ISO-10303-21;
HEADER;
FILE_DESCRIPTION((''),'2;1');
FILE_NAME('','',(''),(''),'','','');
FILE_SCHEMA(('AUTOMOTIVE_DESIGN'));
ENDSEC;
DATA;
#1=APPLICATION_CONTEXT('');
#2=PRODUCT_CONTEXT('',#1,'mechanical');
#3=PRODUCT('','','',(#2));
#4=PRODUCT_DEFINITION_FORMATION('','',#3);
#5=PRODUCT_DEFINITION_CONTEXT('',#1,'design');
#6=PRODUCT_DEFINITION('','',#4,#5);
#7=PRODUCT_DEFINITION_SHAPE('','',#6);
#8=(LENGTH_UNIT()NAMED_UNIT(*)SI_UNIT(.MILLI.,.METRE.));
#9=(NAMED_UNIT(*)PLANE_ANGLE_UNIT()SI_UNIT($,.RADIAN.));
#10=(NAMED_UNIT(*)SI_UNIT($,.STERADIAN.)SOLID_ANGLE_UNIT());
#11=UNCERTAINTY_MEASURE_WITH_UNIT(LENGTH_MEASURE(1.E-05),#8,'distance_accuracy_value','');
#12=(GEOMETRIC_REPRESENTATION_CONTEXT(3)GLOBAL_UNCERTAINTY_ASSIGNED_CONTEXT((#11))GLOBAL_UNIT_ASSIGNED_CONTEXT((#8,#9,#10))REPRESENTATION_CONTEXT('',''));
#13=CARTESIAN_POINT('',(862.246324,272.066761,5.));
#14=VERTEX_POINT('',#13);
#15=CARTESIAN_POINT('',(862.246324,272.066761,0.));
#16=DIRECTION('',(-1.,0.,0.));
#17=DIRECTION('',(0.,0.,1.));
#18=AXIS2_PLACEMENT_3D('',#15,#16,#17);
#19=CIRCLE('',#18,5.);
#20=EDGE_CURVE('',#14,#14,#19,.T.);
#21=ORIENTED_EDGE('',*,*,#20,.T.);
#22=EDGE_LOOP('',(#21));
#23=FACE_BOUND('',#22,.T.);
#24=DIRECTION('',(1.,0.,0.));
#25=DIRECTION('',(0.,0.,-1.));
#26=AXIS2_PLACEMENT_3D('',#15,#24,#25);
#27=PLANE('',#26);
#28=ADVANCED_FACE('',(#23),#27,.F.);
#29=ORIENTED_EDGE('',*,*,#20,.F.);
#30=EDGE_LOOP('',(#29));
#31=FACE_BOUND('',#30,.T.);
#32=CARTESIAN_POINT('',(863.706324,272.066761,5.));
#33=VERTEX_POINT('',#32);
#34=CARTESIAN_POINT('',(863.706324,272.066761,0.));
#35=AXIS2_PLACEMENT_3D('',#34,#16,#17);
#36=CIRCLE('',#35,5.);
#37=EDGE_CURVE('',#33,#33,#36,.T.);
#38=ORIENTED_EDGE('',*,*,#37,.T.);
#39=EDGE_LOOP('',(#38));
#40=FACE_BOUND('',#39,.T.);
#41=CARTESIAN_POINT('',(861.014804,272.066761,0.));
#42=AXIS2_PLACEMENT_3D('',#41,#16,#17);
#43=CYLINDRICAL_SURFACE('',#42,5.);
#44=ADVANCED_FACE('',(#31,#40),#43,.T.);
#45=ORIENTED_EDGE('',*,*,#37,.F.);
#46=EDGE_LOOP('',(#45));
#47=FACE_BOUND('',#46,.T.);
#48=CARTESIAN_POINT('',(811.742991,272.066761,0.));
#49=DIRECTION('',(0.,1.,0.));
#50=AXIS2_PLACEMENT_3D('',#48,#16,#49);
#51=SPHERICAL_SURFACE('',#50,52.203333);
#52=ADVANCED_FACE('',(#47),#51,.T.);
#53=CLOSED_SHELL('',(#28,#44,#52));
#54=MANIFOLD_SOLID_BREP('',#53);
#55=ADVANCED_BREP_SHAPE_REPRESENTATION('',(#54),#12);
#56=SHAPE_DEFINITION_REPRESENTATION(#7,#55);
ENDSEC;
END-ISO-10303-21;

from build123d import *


with BuildPart() as part:
    # 草图1 → 旋转1 (revolve)
    with BuildSketch(Plane.XY):
        with BuildLine():
            Line((862.246324151, 272.066761118), (862.246324151, 277.066761118))
            Line((862.246324151, 277.066761118), (863.706324151, 277.066761118))
            ThreePointArc((863.706324151, 277.066761118), (863.886289631, 274.569639461), (863.946324151, 272.066761118))
            Line((863.946324151, 272.066761118), (862.246324151, 272.066761118))
        make_face()
    revolve(axis=Axis((861.014803577, 272.066761118, 0), (1, 0, 0)))


solid = part.part
